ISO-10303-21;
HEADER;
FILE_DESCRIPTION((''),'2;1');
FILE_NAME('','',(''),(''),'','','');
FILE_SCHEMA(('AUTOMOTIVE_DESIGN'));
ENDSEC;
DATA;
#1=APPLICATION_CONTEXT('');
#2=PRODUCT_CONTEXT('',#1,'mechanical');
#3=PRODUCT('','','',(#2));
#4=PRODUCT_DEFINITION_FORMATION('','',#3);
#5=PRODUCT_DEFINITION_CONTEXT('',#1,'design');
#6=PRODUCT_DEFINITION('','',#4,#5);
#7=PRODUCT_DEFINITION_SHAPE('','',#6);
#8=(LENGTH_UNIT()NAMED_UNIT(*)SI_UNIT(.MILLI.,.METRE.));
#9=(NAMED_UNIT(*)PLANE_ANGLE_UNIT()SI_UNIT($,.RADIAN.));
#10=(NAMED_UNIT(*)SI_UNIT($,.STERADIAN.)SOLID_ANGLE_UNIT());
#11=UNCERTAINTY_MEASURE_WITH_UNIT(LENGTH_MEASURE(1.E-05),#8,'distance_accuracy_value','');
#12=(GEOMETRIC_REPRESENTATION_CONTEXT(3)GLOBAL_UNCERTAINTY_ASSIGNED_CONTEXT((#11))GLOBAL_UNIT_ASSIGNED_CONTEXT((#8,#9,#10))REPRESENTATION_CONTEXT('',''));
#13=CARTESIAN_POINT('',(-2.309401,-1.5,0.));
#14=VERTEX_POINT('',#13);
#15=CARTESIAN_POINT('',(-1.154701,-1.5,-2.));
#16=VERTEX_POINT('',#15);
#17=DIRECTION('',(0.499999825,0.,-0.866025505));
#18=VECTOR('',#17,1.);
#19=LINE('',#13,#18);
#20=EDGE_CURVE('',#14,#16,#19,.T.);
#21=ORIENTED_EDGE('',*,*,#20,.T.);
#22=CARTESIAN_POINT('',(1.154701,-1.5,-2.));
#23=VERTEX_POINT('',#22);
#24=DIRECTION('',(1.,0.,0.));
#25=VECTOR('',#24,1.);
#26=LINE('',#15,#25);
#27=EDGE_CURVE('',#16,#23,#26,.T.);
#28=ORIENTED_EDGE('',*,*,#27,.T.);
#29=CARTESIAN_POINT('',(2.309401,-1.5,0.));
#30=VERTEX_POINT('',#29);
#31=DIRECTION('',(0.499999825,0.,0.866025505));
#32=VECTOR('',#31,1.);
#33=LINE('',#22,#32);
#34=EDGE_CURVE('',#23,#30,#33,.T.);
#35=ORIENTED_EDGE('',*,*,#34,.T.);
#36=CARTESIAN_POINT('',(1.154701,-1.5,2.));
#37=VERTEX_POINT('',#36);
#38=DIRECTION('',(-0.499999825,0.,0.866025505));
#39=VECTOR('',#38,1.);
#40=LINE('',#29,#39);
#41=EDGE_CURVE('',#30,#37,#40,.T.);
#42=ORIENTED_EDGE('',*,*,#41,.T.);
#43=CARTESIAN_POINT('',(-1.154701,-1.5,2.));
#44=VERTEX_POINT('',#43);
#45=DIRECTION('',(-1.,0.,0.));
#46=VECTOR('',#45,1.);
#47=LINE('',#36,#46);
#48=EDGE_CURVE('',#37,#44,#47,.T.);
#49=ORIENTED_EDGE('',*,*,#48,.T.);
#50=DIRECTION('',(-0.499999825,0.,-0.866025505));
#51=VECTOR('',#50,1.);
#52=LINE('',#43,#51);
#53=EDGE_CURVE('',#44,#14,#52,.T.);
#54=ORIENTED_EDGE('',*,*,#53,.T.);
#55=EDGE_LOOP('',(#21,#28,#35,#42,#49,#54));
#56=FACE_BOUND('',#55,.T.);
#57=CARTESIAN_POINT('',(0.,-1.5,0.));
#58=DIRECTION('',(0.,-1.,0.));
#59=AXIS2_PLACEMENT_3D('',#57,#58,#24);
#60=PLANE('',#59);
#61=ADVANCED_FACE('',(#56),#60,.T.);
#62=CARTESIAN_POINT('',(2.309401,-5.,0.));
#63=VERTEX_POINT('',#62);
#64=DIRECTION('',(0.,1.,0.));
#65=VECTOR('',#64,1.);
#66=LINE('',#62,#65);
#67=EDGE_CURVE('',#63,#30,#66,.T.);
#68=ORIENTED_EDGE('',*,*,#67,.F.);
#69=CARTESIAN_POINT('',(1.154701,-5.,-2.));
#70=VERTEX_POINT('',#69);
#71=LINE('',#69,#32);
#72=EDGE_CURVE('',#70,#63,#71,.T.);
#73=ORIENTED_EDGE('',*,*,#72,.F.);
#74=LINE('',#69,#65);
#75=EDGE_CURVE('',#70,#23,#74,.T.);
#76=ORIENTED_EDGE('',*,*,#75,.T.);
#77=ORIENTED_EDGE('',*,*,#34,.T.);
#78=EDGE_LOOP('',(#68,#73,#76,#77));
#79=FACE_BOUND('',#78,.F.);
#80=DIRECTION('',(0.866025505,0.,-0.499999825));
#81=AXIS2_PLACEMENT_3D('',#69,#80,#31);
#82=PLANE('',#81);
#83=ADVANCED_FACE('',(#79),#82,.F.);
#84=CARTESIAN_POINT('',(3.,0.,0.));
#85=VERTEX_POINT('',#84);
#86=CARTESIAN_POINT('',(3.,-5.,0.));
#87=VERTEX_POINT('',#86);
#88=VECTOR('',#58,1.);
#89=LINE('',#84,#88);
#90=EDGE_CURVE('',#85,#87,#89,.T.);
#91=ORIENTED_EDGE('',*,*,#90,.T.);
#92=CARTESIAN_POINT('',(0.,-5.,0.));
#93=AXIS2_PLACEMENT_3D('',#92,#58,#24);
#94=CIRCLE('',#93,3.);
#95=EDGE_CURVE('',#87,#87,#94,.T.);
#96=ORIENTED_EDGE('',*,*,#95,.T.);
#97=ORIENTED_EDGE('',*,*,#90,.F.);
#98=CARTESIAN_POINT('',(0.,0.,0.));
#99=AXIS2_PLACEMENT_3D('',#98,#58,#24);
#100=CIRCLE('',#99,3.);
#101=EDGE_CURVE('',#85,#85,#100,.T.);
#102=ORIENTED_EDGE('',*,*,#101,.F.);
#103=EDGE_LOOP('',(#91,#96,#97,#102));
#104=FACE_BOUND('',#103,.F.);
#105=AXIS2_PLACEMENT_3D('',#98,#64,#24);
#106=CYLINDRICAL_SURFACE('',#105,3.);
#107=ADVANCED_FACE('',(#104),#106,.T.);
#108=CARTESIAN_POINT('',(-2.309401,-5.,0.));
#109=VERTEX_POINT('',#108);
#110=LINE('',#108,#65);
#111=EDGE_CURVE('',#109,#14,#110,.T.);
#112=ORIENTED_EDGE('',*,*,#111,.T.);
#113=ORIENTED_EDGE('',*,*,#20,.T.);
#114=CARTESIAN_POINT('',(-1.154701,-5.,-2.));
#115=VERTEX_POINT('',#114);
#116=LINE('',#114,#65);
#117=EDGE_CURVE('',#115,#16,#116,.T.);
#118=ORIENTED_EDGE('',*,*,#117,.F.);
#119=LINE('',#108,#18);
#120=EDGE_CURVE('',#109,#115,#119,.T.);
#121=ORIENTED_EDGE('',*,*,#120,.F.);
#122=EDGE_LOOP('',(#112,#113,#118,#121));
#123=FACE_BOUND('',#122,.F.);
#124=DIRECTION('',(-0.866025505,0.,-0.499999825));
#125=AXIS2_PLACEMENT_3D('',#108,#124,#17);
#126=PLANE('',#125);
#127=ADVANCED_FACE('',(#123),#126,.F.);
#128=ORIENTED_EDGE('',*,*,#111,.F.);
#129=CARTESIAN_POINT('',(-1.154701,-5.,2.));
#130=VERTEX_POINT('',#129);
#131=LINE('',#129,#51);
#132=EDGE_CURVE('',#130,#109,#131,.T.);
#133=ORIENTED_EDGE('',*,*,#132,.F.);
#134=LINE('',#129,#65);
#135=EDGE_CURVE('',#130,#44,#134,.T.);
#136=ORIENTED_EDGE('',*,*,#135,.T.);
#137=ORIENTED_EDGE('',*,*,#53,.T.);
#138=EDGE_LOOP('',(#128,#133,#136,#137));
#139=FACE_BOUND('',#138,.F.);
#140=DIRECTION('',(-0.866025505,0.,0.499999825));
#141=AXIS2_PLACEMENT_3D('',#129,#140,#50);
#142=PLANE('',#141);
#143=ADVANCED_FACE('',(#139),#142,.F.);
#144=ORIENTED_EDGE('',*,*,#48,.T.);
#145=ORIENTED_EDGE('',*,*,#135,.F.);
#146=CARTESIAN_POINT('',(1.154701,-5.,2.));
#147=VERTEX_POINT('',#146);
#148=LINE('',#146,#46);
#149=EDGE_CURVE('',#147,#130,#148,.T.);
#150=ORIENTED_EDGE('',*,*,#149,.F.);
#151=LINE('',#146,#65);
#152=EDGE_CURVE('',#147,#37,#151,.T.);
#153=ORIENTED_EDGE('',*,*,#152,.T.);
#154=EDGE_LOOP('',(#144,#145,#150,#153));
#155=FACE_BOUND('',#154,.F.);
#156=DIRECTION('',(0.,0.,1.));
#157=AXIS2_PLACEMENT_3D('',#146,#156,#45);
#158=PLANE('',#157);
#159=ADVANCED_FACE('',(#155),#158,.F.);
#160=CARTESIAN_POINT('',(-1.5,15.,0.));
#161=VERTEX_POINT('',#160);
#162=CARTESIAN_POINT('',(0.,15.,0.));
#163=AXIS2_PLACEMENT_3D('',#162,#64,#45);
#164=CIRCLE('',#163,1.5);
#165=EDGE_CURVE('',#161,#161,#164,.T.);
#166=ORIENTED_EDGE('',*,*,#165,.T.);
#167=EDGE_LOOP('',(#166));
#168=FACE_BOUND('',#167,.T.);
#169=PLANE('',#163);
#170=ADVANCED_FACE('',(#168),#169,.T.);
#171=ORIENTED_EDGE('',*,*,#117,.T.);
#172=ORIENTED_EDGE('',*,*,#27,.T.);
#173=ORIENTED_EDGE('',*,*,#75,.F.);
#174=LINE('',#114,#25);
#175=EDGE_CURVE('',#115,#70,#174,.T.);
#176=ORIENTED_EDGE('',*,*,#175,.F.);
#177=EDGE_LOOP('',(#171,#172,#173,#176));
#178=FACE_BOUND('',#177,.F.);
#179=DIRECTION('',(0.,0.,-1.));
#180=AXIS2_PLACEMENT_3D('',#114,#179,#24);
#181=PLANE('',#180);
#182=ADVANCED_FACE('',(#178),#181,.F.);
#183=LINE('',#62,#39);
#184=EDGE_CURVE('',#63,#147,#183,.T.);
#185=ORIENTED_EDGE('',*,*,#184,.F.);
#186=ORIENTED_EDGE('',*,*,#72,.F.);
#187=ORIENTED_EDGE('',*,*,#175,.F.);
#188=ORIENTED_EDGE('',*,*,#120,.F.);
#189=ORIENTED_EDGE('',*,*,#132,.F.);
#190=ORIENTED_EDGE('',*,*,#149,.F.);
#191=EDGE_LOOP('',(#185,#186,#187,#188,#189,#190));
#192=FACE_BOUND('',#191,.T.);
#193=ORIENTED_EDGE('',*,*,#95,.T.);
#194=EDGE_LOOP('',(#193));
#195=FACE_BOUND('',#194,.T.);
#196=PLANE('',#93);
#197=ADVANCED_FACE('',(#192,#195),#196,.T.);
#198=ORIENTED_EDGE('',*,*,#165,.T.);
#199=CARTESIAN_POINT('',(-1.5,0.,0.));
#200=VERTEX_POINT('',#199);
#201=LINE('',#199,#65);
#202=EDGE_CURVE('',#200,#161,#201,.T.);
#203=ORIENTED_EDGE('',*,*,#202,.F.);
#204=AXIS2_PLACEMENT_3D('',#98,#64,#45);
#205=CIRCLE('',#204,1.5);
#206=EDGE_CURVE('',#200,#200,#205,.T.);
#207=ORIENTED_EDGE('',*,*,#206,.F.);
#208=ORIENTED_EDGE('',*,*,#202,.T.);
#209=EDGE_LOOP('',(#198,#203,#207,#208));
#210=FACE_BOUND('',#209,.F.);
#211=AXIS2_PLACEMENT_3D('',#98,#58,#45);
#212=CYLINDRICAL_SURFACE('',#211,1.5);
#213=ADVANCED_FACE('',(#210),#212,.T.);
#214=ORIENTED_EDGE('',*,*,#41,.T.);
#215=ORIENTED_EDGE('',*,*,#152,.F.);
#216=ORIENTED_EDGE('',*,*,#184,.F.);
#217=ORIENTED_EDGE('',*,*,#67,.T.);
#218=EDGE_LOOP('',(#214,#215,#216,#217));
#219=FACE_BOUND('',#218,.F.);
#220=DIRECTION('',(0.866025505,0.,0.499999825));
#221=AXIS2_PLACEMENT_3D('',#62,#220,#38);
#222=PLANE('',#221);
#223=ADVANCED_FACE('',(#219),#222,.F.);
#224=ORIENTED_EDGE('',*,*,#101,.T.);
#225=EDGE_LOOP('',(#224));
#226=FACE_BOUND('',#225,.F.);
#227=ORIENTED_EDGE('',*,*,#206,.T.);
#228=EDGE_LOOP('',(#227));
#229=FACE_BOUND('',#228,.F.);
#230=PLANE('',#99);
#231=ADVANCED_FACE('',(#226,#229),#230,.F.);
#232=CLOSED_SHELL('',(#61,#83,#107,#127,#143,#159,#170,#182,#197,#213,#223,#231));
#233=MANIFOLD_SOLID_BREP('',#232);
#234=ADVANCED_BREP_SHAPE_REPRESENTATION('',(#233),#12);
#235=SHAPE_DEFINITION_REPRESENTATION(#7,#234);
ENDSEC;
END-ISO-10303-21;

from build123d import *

# Parameters (mm, degrees)
F0_R     = 3
F1_DEPTH = 5
F3_DEPTH = 3.5
F4_R     = 1.5
F5_DEPTH = 15


with BuildPart() as f1:
    # F0 (on Front) → F1 (new body)
    with BuildSketch(Plane.XZ):
        Circle(F0_R)
    extrude(amount=F1_DEPTH)

    # F2 (on face) → F3 (cut)
    with BuildSketch(Plane.XZ.offset(5)):
        Polygon((1.154701, 2), (-1.154701, 2), (-2.309401, 0), (-1.154701, -2), (1.154701, -2), (2.309401, 0), align=None)
    extrude(amount=-F3_DEPTH, mode=Mode.SUBTRACT)

    # F4 (on face) → F5 (join)
    with BuildSketch(Plane(origin=(0, 0, 0), x_dir=(-1, 0, 0), z_dir=(0, 1, 0))):
        Circle(F4_R)
    extrude(amount=F5_DEPTH)


solid = f1.part
